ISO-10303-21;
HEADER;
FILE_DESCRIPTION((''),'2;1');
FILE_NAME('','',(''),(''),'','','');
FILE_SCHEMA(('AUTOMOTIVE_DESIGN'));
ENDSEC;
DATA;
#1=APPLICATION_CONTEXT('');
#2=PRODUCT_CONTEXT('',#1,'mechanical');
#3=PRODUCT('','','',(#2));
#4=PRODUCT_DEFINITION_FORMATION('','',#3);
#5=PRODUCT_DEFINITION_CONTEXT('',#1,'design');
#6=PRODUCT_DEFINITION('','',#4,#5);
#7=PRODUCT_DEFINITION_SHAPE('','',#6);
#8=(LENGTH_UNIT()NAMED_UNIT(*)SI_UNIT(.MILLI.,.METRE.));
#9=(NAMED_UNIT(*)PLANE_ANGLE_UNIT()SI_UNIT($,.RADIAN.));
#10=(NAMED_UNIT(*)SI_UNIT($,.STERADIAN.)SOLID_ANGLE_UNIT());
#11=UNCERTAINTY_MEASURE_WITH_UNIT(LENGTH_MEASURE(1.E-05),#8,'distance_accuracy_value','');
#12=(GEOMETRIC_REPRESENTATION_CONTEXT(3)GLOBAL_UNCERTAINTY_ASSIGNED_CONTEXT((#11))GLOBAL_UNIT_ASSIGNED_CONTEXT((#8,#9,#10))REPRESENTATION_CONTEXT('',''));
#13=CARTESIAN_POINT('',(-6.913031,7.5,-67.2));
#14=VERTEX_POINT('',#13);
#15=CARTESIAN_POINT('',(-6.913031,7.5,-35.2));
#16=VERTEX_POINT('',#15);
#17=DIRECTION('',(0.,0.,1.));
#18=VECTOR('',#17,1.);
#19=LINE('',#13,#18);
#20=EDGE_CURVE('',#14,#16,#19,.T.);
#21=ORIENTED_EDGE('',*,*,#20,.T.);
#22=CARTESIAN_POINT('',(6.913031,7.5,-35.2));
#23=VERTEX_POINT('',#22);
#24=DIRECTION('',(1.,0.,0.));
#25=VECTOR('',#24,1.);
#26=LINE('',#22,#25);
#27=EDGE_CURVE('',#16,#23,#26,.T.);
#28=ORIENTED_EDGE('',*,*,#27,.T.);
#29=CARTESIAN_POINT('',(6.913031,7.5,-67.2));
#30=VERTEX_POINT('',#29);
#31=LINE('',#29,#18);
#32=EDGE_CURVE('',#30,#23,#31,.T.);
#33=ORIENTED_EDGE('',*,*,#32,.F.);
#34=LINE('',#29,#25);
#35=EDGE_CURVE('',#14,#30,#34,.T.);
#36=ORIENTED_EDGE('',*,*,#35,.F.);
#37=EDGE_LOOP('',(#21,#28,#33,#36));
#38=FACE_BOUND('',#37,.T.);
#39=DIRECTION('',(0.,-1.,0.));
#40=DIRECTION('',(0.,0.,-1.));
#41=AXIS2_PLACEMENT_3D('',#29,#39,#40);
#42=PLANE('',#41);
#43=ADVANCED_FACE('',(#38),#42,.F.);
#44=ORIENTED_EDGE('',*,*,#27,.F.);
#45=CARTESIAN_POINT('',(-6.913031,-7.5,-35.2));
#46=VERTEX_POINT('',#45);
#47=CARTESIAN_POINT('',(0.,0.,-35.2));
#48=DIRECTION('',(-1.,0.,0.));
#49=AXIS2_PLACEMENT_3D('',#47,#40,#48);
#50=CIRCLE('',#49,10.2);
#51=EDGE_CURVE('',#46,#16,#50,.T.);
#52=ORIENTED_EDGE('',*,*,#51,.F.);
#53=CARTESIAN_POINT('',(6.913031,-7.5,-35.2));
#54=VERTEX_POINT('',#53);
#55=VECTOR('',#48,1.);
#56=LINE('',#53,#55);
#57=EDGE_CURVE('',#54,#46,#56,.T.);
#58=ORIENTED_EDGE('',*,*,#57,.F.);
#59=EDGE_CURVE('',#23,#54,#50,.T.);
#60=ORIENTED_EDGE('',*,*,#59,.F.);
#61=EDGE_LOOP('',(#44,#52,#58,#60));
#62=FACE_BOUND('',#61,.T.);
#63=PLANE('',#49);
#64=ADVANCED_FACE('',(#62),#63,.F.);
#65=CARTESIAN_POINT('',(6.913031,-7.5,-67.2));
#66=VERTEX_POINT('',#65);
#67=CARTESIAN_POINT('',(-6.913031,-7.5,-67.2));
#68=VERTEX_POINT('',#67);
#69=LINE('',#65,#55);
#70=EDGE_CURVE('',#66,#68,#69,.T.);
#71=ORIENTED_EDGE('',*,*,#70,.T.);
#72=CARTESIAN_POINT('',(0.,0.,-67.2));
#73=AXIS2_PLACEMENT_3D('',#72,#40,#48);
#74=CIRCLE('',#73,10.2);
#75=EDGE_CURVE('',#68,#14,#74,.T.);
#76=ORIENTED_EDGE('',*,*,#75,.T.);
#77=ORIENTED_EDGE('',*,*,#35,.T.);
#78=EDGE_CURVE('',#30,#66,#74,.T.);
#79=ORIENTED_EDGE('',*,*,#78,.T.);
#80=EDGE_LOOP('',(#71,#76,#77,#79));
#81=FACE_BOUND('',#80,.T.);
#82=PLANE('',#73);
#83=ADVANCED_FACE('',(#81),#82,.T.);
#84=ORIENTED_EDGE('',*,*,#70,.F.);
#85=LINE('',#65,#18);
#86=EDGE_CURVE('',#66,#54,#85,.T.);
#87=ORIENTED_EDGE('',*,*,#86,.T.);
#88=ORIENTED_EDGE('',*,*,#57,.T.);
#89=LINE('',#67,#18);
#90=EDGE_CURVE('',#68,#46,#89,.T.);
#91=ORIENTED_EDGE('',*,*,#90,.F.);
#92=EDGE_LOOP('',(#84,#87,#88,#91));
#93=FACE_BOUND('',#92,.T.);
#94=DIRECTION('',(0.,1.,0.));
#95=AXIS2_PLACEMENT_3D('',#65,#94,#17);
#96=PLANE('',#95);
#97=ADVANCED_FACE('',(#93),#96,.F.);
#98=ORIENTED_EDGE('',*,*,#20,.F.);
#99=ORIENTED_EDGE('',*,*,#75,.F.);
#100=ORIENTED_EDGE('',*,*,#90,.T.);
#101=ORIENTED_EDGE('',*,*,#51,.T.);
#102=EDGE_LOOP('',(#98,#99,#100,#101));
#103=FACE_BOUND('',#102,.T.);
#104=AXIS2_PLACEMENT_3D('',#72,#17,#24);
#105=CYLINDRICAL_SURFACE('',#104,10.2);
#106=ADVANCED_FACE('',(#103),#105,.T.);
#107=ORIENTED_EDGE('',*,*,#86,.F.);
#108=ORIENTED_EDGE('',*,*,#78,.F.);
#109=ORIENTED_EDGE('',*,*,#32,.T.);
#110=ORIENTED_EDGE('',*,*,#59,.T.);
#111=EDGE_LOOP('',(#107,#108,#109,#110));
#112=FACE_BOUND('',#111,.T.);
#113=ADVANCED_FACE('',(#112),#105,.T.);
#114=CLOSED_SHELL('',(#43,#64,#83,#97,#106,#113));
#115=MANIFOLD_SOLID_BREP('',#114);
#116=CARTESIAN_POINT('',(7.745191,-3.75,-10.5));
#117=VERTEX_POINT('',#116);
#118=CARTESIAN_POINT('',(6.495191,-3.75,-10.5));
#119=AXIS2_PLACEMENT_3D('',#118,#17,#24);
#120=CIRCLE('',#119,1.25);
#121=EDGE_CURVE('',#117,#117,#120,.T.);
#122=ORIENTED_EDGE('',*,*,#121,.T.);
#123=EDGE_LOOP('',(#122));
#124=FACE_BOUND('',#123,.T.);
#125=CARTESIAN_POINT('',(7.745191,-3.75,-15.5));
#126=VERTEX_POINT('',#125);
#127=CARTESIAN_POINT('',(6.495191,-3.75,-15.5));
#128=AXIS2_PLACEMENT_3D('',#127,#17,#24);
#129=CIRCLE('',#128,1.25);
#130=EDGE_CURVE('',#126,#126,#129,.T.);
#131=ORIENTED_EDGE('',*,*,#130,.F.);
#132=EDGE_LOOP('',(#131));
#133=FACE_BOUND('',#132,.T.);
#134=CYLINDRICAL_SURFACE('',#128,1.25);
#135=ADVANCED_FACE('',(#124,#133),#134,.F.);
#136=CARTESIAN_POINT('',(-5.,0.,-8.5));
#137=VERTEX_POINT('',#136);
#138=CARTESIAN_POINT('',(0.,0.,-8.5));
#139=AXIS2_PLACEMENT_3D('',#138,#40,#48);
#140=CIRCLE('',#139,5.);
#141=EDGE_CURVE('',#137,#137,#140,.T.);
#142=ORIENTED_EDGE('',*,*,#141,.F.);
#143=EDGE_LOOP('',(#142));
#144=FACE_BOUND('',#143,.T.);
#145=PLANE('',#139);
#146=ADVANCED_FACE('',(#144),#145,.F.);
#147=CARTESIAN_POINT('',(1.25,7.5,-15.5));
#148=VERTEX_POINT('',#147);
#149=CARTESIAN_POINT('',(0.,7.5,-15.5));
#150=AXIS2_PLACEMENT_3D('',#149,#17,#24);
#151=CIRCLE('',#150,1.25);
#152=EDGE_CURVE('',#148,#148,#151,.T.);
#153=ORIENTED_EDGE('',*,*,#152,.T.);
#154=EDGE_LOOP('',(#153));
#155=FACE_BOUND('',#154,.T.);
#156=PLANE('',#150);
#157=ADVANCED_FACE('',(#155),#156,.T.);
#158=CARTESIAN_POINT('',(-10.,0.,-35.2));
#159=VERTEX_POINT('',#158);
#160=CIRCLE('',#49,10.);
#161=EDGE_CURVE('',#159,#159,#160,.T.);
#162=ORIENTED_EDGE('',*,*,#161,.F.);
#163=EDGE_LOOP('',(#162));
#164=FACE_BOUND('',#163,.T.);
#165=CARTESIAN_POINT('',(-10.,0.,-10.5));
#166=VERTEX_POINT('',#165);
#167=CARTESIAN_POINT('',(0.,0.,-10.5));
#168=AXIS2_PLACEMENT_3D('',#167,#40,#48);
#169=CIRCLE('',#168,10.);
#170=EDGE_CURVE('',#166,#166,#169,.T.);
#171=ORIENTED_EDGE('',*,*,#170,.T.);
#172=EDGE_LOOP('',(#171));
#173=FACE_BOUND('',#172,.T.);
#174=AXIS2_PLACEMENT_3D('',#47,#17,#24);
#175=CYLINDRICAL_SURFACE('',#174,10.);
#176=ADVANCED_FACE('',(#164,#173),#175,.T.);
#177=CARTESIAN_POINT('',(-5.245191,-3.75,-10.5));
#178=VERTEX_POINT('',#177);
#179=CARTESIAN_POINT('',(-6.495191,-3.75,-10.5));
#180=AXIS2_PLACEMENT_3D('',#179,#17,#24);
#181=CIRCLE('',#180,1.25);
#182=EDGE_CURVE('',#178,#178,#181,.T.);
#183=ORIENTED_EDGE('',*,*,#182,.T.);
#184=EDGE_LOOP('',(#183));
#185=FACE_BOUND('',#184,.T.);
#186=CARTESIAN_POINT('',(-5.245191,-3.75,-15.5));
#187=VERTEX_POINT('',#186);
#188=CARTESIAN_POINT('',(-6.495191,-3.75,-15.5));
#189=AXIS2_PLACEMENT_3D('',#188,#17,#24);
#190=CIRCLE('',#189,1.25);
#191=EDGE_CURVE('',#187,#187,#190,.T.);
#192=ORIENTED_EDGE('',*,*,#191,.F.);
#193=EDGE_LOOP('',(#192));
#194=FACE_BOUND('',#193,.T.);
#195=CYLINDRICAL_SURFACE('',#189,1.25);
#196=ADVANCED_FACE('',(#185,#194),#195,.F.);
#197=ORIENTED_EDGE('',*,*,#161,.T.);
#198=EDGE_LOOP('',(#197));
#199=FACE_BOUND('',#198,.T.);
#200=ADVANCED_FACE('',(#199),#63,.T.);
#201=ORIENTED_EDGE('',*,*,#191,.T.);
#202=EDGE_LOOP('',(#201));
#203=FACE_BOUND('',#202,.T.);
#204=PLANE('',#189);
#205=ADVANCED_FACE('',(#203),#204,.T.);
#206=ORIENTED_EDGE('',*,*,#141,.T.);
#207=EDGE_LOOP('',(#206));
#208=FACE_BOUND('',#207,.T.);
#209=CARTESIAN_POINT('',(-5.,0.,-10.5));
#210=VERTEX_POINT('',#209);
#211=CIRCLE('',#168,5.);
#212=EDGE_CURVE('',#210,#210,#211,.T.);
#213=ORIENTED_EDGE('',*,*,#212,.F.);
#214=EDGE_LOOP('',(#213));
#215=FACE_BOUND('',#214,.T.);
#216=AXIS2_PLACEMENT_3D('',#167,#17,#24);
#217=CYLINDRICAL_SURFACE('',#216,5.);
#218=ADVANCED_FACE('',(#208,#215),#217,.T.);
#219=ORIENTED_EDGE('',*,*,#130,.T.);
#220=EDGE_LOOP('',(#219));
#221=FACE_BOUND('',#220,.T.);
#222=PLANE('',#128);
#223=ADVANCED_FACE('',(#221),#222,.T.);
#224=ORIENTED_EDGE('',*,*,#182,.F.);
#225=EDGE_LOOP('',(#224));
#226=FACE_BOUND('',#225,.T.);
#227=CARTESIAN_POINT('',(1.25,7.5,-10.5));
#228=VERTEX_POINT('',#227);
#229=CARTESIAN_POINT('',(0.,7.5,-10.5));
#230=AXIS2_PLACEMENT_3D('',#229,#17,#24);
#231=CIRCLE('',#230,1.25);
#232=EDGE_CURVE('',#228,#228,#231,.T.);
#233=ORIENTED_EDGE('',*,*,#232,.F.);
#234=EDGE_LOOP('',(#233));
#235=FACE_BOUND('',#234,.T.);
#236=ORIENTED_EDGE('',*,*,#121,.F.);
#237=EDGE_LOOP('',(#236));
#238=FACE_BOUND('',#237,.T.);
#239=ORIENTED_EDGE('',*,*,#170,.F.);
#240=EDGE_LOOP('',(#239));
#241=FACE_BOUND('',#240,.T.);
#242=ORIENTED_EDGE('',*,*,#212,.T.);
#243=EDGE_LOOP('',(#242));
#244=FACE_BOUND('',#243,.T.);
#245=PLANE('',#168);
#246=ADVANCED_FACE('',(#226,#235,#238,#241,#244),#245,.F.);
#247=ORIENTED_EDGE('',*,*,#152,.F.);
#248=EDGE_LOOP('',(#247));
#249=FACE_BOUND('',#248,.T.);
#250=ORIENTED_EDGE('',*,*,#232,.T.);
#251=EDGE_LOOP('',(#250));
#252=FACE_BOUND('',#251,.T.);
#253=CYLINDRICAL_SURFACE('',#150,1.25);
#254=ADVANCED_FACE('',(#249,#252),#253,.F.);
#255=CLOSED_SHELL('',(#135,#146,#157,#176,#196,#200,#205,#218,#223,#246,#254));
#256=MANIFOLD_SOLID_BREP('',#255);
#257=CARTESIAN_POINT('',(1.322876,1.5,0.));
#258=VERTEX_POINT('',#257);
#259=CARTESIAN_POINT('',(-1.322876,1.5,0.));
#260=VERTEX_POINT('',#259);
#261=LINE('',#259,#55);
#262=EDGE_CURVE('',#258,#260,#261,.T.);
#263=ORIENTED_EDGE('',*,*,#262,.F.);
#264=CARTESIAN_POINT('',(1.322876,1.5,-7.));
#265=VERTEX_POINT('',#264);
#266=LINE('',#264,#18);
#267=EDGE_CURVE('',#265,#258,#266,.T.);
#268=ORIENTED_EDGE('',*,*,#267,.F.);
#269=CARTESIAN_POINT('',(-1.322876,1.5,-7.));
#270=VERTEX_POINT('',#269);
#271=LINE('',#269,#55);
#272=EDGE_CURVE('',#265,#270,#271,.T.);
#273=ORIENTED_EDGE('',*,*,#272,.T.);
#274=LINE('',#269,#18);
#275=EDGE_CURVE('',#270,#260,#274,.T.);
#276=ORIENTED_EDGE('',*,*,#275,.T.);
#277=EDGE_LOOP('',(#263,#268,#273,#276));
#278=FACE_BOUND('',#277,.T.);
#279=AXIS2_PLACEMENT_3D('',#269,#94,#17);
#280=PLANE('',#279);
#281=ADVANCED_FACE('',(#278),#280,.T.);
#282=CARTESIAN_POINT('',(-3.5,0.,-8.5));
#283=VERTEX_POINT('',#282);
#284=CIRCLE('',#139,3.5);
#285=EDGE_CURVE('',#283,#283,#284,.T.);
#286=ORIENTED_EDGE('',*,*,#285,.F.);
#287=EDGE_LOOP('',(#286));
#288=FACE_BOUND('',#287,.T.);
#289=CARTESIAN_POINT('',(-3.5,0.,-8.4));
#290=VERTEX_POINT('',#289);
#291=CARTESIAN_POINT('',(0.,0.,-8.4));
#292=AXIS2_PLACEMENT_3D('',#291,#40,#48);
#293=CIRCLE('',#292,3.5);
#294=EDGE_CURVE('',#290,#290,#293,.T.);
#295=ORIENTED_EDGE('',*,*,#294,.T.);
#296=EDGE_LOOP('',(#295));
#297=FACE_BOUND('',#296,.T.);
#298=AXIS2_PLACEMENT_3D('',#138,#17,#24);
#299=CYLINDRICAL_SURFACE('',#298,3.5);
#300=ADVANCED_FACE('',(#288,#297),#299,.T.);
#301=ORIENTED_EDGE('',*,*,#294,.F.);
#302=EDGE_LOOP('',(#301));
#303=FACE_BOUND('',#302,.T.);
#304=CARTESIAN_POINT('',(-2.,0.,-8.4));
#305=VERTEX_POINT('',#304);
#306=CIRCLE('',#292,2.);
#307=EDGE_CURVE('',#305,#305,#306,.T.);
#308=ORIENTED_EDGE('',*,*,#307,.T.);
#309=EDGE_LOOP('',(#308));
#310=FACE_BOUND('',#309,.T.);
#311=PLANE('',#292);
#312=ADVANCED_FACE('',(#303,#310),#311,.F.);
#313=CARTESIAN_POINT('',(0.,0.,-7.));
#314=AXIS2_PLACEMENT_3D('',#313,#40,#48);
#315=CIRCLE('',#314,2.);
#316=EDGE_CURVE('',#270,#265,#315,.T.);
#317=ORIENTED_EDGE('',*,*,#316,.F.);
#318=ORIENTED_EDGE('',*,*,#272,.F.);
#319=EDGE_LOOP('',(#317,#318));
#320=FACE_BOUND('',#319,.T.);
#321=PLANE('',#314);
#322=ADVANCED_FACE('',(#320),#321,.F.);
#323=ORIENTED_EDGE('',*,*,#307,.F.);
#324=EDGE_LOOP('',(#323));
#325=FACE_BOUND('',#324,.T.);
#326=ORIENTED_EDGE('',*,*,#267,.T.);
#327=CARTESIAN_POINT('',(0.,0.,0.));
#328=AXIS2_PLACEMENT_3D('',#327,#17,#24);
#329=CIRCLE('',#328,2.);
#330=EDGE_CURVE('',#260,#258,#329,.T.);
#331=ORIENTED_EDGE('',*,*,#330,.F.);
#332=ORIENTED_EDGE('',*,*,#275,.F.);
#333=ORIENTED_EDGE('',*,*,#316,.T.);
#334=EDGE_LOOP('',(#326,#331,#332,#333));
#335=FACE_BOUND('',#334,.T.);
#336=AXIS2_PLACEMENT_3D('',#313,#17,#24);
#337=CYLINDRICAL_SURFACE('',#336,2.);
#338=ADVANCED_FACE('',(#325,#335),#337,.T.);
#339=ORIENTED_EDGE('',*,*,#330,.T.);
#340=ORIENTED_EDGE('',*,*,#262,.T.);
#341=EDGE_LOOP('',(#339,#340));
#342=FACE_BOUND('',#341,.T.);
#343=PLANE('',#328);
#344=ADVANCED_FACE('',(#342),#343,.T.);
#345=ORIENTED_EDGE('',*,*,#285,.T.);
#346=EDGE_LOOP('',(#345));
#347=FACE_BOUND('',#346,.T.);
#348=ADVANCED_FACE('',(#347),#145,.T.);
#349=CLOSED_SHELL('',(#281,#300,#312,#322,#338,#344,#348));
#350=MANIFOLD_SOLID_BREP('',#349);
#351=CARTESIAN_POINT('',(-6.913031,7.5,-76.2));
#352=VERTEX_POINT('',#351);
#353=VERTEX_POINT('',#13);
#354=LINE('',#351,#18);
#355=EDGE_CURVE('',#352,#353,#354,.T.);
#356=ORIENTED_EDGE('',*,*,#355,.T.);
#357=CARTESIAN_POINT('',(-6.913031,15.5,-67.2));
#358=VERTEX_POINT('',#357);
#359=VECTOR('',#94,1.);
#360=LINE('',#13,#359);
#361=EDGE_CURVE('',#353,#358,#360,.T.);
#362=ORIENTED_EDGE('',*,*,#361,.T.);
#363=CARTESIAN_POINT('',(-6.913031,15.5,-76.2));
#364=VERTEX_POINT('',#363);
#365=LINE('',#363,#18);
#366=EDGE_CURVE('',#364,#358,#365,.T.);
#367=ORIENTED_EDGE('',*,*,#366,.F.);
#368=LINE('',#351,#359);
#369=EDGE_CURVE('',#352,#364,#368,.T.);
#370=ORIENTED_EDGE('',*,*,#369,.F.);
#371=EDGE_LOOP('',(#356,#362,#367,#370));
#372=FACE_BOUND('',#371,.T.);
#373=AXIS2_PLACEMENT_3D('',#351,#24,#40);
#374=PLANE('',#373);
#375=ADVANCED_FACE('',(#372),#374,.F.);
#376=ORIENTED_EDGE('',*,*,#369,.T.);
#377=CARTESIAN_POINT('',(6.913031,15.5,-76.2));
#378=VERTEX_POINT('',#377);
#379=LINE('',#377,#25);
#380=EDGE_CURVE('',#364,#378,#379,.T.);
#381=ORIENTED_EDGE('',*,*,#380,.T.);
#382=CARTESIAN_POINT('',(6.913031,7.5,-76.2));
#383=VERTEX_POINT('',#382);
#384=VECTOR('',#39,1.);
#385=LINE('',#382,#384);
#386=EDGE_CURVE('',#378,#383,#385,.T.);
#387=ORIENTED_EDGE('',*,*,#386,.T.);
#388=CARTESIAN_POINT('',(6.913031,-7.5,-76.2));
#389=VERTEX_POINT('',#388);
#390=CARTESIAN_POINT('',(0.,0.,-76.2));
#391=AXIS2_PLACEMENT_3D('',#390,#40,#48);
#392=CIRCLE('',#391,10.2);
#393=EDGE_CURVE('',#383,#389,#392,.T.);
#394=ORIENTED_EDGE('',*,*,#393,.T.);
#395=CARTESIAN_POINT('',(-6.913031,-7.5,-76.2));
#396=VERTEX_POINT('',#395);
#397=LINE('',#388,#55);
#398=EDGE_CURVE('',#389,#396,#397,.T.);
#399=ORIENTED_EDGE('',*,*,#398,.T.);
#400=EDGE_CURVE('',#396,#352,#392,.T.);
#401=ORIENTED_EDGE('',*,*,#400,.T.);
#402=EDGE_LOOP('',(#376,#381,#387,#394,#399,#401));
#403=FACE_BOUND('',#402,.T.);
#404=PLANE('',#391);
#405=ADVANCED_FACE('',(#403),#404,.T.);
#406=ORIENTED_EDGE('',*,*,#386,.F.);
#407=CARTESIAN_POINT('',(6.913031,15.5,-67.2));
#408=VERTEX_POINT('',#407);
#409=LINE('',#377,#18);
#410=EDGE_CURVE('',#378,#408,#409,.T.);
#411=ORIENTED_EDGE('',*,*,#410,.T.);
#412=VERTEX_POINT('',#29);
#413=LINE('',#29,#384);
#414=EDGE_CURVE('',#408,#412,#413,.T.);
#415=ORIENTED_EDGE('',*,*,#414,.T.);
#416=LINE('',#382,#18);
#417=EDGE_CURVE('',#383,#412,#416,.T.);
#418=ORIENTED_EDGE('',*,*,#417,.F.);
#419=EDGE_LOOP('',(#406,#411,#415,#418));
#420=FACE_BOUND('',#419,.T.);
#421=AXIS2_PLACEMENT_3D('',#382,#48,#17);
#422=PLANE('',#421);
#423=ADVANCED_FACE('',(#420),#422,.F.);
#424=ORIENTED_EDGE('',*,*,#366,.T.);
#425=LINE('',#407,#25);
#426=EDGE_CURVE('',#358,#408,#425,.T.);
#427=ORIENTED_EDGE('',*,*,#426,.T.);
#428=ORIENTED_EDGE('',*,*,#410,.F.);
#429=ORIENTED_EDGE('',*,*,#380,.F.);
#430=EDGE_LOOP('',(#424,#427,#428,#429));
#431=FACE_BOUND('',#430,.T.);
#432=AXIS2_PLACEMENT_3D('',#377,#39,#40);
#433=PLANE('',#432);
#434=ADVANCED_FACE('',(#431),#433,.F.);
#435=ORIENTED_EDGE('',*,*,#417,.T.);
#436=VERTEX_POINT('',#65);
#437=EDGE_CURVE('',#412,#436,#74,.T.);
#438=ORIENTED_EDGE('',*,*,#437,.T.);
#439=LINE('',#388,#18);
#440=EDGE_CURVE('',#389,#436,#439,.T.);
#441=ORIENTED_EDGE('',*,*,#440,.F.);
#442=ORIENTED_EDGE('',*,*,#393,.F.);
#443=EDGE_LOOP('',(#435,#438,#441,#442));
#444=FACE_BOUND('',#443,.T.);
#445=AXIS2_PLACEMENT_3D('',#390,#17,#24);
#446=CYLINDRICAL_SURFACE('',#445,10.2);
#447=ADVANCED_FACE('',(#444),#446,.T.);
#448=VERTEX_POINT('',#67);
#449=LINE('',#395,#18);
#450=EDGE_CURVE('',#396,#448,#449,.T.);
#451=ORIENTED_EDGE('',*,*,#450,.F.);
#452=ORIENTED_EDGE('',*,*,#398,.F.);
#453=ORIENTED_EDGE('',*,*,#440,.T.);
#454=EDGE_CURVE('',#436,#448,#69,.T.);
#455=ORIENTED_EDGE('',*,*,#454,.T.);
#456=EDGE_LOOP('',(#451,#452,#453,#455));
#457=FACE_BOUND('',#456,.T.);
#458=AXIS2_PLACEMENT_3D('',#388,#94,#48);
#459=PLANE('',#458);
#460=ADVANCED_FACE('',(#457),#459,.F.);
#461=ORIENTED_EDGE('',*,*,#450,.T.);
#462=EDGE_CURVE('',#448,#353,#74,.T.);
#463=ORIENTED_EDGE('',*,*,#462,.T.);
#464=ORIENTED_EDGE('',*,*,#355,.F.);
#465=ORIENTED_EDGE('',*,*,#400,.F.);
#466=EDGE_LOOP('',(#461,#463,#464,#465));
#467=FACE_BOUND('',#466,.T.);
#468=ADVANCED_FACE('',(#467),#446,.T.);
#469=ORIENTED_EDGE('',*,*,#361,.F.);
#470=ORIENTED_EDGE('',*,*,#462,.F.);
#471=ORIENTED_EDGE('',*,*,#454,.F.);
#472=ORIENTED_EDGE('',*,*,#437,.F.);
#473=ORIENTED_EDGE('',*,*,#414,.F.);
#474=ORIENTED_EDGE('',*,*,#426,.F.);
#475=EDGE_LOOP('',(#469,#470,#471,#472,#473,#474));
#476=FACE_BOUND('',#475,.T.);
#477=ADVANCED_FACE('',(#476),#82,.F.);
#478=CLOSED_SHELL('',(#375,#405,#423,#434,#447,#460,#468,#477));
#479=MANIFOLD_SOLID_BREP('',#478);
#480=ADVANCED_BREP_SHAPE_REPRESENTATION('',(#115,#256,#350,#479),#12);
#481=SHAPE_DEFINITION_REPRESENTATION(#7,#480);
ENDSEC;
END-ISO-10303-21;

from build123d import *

# Parameters (mm, degrees)
BOSS_EXTRUDE1_DEPTH = 7
SKETCH2_R           = 2
BOSS_EXTRUDE2_DEPTH = 1.4
SKETCH3_R           = 3.5
BOSS_EXTRUDE3_DEPTH = 0.1
SKETCH4_R           = 5
BOSS_EXTRUDE4_DEPTH = 2
SKETCH5_R           = 10
BOSS_EXTRUDE5_DEPTH = 24.7
SKETCH6_R           = 1.25
SCREW_HOLES_DEPTH   = 5
MOTOR_DEPTH         = 32
ENCODER_DEPTH       = 9


with BuildPart() as part:
    # Sketch1 → Boss-Extrude1 (new body)
    with BuildSketch(Plane.XY):
        with BuildLine():
            Line((-1.322875656, 1.5), (1.322875656, 1.5))
            ThreePointArc((1.322875656, 1.5), (0, -2), (-1.322875656, 1.5))
        make_face()
    extrude(amount=-BOSS_EXTRUDE1_DEPTH)

    # Sketch2 → Boss-Extrude2 (add)
    with BuildSketch(Plane(origin=(0, 0, -7), x_dir=(-1, 0, 0), z_dir=(0, 0, -1))):
        with Locations(Location((0, 0, 0), (0, 0, 131.409622109))):
            Circle(SKETCH2_R)
    extrude(amount=BOSS_EXTRUDE2_DEPTH)

    # Sketch3 → Boss-Extrude3 (add)
    with BuildSketch(Plane(origin=(0, 0, -8.4), x_dir=(-1, 0, 0), z_dir=(0, 0, -1))):
        Circle(SKETCH3_R)
    extrude(amount=BOSS_EXTRUDE3_DEPTH)


with BuildPart() as body_2:
    # Sketch4 → Boss-Extrude4 (new body)
    with BuildSketch(Plane(origin=(0, 0, -8.5), x_dir=(-1, 0, 0), z_dir=(0, 0, -1))):
        Circle(SKETCH4_R)
    extrude(amount=BOSS_EXTRUDE4_DEPTH)

    # Sketch5 → Boss-Extrude5 (add)
    with BuildSketch(Plane(origin=(0, 0, -10.5), x_dir=(-1, 0, 0), z_dir=(0, 0, -1))):
        Circle(SKETCH5_R)
    extrude(amount=BOSS_EXTRUDE5_DEPTH)

    # Sketch6 → Screw Holes (cut)
    with BuildSketch(Plane.XY.offset(-10.5)):
        with Locations((0, 7.5)):
            Circle(SKETCH6_R)
        with Locations((6.495190528, -3.75)):
            Circle(SKETCH6_R)
        with Locations((-6.495190528, -3.75)):
            Circle(SKETCH6_R)
    extrude(amount=-SCREW_HOLES_DEPTH, mode=Mode.SUBTRACT)


with BuildPart() as body_3:
    # Sketch10 → Motor (new body)
    with BuildSketch(Plane(origin=(0, 0, -35.2), x_dir=(-1, 0, 0), z_dir=(0, 0, -1))):
        with BuildLine():
            Line((-6.913031173, 7.5), (6.913031173, 7.5))
            ThreePointArc((6.913031173, 7.5), (10.2, 0), (6.913031173, -7.5))
            Line((6.913031173, -7.5), (-6.913031173, -7.5))
            ThreePointArc((-6.913031173, -7.5), (-10.2, 0), (-6.913031173, 7.5))
        make_face()
    extrude(amount=MOTOR_DEPTH)


with BuildPart() as body_4:
    # Sketch11 → Encoder (new body)
    with BuildSketch(Plane(origin=(0, 0, -67.2), x_dir=(-1, 0, 0), z_dir=(0, 0, -1))):
        with BuildLine():
            Line((-6.913031173, -7.5), (6.913031173, -7.5))
            ThreePointArc((6.913031173, -7.5), (10.2, 0), (6.913031173, 7.5))
            Line((6.913031173, 7.5), (6.913031173, 15.5))
            Line((6.913031173, 15.5), (-6.913031173, 15.5))
            Line((-6.913031173, 15.5), (-6.913031173, 7.5))
            ThreePointArc((-6.913031173, 7.5), (-10.2, 0), (-6.913031173, -7.5))
        make_face()
    extrude(amount=ENCODER_DEPTH)


solid = Compound([part.part, body_2.part, body_3.part, body_4.part])
